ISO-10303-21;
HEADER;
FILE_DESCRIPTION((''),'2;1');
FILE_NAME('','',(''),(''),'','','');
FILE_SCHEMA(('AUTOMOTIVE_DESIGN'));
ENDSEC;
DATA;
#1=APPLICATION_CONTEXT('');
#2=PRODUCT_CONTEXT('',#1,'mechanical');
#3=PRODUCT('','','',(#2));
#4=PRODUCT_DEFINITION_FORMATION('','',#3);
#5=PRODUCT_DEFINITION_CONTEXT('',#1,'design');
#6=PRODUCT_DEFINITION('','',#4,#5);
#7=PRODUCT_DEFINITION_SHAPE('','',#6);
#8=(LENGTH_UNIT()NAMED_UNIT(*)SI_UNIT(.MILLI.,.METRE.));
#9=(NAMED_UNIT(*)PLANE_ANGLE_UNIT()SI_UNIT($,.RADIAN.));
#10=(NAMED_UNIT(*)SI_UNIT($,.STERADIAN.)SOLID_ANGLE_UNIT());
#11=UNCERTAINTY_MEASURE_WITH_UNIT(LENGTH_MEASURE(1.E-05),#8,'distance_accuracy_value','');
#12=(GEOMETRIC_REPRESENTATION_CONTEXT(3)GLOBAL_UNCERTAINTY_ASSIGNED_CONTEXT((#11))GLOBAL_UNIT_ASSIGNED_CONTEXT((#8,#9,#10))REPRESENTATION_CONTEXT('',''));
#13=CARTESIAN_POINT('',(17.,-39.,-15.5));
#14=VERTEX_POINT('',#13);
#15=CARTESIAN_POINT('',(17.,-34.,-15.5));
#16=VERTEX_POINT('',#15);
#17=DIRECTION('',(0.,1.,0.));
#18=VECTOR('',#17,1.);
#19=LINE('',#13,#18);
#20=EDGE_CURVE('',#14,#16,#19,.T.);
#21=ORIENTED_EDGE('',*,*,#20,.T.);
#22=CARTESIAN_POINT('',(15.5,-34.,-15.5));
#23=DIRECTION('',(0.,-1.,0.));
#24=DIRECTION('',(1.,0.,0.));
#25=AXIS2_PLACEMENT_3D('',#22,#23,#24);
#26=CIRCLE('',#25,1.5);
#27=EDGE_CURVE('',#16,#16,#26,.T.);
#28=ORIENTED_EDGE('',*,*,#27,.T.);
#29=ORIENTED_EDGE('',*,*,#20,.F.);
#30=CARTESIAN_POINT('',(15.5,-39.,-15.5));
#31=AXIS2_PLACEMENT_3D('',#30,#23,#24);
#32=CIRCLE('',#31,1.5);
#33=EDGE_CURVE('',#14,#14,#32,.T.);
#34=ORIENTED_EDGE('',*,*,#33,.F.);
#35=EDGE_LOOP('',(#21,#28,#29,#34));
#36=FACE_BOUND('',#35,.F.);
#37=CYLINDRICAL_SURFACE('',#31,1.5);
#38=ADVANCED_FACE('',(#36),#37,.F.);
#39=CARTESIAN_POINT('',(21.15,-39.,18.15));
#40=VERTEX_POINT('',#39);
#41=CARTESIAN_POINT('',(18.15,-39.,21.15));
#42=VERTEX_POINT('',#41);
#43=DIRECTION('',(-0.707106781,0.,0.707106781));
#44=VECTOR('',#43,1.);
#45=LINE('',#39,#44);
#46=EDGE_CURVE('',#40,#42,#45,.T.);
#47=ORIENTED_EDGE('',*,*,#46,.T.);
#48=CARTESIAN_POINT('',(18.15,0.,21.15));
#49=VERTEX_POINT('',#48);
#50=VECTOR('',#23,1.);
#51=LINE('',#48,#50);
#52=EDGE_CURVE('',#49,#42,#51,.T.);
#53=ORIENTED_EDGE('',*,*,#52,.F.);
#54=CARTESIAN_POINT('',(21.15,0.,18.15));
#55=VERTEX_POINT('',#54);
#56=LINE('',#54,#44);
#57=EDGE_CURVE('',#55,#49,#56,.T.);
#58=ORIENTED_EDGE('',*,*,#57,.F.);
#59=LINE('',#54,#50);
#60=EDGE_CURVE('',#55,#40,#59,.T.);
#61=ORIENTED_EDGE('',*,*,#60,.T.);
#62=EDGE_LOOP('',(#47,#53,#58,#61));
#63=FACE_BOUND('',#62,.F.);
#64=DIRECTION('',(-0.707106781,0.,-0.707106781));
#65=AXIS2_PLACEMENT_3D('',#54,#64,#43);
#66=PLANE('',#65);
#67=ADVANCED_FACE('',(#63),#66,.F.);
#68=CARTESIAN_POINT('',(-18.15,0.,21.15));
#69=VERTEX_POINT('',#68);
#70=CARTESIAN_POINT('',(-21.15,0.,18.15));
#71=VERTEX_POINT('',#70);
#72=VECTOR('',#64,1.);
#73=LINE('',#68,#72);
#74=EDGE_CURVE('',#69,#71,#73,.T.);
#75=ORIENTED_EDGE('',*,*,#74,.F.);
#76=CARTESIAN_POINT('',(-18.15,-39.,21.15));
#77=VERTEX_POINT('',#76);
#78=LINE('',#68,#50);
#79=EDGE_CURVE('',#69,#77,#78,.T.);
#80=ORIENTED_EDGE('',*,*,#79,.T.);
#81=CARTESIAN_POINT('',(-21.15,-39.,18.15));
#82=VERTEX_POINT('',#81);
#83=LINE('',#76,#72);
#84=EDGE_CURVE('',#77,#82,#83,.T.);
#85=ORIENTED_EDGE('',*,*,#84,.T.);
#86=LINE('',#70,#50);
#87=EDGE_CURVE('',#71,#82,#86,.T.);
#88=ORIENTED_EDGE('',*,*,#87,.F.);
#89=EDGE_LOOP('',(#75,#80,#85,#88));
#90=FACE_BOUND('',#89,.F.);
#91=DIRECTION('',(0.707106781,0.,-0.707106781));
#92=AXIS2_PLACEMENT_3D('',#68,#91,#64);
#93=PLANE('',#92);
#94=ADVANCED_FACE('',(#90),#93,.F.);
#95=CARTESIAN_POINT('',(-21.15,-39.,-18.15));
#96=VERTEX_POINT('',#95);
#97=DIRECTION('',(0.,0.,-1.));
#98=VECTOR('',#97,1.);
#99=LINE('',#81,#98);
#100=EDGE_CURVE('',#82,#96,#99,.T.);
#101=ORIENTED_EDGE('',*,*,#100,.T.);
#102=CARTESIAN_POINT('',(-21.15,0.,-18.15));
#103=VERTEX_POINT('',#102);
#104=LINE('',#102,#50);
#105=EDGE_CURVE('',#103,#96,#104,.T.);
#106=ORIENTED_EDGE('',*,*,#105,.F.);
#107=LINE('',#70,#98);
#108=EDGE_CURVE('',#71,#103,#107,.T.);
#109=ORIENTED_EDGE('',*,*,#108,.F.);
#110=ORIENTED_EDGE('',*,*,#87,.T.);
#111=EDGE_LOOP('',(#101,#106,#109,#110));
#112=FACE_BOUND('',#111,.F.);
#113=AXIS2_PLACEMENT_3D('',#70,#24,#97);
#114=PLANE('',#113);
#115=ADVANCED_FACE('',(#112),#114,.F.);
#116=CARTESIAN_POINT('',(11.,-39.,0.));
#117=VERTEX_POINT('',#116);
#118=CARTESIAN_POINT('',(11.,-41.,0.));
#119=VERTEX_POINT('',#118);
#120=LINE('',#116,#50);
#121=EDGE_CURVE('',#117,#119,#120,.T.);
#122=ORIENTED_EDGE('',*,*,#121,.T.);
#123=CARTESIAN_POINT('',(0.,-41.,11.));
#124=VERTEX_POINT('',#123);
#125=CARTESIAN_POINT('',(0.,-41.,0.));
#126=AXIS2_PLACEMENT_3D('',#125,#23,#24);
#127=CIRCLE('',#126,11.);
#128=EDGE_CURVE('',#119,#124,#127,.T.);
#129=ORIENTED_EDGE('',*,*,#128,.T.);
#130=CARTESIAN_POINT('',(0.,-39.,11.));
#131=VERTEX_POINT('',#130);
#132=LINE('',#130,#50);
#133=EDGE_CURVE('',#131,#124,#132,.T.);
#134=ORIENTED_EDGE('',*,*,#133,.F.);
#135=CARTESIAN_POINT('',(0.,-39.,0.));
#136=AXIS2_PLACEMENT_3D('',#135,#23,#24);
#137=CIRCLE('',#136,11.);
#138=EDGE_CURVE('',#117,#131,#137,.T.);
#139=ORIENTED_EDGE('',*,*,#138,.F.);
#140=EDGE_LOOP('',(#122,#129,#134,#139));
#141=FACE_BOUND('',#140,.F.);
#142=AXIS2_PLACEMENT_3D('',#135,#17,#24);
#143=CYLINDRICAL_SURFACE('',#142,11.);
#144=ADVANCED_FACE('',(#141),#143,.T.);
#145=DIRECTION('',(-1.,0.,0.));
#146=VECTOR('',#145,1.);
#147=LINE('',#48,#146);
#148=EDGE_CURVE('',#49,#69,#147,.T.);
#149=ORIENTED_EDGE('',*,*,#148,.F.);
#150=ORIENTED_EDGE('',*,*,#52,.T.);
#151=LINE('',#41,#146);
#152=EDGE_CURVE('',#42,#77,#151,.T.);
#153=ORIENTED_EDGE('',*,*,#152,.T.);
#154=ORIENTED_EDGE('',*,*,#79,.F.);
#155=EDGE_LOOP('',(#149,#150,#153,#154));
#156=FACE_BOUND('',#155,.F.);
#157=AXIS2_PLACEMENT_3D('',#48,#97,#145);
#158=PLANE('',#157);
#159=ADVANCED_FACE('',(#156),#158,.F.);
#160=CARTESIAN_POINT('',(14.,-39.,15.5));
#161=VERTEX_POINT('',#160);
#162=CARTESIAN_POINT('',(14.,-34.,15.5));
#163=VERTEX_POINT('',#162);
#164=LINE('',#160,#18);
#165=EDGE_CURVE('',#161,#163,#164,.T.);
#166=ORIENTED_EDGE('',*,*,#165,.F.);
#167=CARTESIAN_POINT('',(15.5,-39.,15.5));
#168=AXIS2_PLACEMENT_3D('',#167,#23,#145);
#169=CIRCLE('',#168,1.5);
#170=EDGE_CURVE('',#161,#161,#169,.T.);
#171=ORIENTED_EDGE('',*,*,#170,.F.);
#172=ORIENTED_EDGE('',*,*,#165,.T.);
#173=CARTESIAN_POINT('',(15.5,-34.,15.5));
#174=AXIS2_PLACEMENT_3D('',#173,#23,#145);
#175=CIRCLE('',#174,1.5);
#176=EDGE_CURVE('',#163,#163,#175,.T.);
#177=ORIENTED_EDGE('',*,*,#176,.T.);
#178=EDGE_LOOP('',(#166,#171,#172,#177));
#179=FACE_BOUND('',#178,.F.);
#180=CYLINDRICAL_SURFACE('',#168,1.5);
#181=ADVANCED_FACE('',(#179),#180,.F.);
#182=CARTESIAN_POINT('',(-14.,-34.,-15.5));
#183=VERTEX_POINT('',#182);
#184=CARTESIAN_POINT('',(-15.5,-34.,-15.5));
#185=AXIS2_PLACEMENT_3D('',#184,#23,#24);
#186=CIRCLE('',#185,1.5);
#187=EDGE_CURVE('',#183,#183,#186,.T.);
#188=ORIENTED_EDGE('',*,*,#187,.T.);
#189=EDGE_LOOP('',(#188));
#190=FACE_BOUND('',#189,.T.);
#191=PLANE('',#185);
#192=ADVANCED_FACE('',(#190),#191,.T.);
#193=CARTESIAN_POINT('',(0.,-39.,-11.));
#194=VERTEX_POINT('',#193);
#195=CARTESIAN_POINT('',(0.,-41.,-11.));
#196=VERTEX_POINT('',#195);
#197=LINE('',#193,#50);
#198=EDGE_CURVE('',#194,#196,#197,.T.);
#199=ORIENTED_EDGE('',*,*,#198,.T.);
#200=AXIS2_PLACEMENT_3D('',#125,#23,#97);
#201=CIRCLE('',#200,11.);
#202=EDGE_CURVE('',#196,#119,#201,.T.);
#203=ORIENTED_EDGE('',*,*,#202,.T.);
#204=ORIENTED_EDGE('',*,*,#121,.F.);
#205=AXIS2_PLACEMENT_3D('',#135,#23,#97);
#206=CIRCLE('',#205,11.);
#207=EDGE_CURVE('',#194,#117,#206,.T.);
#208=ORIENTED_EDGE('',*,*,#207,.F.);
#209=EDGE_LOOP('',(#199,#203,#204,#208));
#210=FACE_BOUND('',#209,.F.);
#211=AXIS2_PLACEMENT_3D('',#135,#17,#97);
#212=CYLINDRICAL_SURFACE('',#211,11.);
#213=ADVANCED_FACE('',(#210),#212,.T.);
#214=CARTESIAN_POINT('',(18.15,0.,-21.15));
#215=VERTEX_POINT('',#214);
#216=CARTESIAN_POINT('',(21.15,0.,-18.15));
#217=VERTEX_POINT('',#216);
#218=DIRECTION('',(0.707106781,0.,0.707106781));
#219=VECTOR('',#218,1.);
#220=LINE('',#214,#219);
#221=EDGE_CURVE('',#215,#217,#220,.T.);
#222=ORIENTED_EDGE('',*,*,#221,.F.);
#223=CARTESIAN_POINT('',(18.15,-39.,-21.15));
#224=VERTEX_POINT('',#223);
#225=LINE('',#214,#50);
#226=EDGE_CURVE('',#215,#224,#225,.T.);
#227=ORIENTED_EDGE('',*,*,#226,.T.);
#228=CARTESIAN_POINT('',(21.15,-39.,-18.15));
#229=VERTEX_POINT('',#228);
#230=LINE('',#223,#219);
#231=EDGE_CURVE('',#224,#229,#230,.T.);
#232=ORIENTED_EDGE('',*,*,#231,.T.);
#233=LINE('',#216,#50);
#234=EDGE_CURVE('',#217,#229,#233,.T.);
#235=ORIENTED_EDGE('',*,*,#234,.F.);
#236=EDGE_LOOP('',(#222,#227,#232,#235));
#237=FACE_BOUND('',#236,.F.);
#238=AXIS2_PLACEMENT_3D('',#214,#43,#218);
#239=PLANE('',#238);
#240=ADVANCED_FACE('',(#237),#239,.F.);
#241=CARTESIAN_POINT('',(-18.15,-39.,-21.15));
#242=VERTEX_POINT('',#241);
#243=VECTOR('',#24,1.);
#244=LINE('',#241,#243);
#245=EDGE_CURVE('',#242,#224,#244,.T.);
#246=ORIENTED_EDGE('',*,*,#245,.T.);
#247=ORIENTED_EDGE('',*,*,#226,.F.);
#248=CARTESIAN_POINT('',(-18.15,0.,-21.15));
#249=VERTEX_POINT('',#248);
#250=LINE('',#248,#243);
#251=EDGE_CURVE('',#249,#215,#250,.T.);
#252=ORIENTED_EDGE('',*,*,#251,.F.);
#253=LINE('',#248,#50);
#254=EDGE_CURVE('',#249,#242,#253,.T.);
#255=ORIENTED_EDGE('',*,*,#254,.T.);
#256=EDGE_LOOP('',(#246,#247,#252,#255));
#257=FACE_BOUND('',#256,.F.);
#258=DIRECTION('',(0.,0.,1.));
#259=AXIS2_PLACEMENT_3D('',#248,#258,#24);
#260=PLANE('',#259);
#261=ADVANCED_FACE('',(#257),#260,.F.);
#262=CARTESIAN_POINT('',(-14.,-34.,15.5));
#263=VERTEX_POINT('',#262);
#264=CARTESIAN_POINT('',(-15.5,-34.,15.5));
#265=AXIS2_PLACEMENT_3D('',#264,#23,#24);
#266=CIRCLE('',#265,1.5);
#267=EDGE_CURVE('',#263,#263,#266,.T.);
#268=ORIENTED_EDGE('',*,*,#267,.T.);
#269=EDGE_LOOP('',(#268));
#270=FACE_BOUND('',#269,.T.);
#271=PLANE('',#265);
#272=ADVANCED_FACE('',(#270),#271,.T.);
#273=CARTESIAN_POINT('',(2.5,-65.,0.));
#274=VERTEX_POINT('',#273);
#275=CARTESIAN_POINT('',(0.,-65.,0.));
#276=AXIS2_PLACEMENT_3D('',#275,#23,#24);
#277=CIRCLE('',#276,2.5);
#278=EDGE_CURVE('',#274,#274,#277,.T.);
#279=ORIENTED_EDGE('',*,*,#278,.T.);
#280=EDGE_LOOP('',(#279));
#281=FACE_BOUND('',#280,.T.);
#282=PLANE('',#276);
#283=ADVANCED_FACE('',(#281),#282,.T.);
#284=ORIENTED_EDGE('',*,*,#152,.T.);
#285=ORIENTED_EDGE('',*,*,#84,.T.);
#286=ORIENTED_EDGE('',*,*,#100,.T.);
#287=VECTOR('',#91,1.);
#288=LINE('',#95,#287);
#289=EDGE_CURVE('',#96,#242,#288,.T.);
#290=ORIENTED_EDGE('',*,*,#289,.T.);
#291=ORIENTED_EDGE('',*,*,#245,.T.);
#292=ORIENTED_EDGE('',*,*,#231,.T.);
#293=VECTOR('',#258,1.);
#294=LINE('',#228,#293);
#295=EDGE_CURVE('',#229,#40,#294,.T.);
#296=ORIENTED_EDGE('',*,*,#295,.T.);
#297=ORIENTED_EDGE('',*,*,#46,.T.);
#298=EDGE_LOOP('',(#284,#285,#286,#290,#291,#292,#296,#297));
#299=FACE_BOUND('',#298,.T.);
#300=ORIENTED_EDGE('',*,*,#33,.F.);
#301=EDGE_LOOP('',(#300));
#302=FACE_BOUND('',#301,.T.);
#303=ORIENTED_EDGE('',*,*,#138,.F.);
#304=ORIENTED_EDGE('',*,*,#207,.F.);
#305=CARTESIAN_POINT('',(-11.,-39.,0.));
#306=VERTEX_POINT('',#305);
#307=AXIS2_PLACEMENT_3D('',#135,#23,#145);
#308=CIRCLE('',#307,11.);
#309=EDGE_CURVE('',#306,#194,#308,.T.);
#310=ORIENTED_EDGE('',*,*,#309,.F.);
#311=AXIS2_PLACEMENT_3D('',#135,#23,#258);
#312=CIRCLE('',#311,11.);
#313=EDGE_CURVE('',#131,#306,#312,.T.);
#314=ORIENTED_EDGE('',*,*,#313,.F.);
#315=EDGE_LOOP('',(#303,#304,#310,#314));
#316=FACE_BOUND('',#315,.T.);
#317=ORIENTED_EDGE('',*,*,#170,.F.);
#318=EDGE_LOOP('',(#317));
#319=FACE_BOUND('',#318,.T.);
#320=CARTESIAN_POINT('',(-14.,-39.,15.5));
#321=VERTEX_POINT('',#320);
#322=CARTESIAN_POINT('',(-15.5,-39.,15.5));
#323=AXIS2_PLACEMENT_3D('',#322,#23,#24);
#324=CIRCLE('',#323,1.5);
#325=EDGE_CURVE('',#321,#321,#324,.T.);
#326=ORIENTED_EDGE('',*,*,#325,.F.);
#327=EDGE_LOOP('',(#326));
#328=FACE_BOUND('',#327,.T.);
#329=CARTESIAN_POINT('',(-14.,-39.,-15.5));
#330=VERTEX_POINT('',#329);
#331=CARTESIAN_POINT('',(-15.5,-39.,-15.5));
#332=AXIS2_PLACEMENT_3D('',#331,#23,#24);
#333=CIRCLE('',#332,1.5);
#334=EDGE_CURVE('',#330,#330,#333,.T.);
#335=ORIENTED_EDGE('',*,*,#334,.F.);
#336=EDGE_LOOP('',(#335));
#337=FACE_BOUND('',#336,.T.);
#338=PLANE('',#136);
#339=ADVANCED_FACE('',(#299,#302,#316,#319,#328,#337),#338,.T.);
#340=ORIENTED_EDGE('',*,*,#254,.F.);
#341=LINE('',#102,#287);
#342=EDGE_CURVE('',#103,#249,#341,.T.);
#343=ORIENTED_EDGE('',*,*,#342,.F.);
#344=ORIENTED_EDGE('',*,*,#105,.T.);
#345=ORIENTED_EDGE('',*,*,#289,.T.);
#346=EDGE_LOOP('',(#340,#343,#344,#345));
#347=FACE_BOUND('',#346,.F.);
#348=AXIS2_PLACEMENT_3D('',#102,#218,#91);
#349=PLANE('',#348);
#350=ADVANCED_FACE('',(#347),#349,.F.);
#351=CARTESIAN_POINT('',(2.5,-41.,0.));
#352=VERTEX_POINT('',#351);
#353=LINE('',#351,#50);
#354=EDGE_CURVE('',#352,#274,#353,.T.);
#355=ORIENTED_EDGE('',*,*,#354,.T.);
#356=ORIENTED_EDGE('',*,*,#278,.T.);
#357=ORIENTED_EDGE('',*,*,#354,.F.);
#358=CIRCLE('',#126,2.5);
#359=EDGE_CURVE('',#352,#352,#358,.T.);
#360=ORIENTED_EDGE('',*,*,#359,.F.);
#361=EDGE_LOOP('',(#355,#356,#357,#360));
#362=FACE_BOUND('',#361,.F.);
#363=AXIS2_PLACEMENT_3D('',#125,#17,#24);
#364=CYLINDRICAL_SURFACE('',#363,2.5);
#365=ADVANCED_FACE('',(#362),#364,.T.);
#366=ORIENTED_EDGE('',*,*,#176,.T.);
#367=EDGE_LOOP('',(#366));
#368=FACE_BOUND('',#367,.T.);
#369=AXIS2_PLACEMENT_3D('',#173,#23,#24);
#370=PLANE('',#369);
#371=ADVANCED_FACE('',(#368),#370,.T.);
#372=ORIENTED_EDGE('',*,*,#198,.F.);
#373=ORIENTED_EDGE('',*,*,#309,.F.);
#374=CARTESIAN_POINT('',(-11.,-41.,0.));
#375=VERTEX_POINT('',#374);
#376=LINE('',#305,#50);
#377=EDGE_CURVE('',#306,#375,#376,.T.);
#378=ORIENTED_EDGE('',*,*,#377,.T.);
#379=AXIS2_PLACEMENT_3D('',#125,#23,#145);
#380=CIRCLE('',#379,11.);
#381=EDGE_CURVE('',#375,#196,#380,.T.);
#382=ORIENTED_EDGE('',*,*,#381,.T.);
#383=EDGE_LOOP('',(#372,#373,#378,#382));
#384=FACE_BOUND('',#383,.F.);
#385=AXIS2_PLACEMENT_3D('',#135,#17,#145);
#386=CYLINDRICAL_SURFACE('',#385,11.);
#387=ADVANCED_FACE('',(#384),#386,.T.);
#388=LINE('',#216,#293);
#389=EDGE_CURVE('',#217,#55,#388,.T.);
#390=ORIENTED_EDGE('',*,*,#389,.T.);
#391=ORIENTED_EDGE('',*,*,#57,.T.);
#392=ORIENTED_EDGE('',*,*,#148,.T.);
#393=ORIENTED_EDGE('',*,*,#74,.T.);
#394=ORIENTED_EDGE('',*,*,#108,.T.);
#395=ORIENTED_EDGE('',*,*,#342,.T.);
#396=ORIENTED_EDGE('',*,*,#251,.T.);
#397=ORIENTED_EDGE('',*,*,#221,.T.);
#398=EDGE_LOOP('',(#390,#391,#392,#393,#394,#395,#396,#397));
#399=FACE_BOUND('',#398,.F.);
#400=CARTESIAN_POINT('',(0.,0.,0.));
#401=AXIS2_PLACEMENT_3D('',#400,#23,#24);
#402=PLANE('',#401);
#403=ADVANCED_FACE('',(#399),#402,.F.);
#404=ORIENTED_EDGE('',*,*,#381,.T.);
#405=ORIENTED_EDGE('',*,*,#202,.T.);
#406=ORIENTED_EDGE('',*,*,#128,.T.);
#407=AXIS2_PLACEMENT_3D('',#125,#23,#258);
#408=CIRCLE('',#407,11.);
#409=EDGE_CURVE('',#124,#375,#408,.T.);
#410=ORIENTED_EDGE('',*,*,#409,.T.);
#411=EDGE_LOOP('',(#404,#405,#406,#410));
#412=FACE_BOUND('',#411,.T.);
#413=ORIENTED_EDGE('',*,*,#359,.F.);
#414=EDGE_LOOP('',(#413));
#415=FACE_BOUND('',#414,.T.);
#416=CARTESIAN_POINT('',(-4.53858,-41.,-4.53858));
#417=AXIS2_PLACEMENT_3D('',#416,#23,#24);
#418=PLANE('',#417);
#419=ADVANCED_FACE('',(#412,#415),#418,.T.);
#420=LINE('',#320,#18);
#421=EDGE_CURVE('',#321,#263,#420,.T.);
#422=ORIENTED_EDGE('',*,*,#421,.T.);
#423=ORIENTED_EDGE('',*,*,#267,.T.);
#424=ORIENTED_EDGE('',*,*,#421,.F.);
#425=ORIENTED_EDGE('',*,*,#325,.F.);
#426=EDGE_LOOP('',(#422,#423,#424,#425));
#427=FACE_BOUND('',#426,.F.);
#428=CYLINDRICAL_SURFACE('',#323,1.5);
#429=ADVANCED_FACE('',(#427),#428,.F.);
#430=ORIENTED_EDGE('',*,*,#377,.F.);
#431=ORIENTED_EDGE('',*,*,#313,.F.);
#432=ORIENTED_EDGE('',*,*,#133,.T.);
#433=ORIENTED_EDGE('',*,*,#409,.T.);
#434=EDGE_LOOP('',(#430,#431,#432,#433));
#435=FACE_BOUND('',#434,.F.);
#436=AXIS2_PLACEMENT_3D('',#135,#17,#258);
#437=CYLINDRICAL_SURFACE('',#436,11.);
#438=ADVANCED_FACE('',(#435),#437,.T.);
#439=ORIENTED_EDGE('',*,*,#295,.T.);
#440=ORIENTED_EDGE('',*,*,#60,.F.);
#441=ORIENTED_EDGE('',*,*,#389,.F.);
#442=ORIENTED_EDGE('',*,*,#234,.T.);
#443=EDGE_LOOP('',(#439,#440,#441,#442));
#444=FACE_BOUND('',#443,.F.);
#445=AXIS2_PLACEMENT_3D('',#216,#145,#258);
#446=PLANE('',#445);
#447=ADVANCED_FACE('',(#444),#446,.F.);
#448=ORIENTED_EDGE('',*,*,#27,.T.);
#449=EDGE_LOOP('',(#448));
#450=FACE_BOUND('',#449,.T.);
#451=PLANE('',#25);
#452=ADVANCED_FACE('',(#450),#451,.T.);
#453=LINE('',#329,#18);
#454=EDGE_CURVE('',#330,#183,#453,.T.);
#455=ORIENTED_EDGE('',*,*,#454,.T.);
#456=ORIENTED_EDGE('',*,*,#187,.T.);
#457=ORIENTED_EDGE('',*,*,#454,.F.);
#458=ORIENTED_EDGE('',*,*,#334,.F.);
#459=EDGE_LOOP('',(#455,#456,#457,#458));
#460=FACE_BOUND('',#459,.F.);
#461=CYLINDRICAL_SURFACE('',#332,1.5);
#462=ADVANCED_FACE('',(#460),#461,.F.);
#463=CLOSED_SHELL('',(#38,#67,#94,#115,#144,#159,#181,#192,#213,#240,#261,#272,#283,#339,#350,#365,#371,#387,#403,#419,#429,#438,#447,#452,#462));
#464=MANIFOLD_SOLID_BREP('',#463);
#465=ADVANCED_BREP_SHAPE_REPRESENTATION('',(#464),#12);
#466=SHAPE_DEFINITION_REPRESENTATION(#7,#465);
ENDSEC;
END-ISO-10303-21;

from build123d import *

# Parameters (mm, degrees)
F1_DEPTH = 39
F3_DEPTH = 2
F4_R     = 2.5
F5_DEPTH = 24
F6_R     = 1.5
F7_DEPTH = 5


with BuildPart() as f1:
    # F0 (on Front) → F1 (new body)
    with BuildSketch(Plane.XZ):
        Polygon((21.15, 18.15), (18.15, 21.15), (-18.15, 21.15), (-21.15, 18.15), (-21.15, -18.15), (-18.15, -21.15), (18.15, -21.15), (21.15, -18.15), align=None)
    extrude(amount=F1_DEPTH)

    # F2 (on face) → F3 (join)
    with BuildSketch(Plane.XZ.offset(39)):
        with BuildLine():
            ThreePointArc((-11, 0), (-7.7781745931, -7.7781745931), (0, -11))
            Line((0, -11), (0, 0))
            Line((0, 0), (-11, 0))
        make_face()
        with BuildLine():
            Line((0, 0), (0, 11))
            ThreePointArc((0, 11), (-7.7781745931, 7.7781745931), (-11, 0))
            Line((-11, 0), (0, 0))
        make_face()
        with BuildLine():
            Line((0, 0), (11, 0))
            ThreePointArc((11, 0), (7.7781745931, 7.7781745931), (0, 11))
            Line((0, 11), (0, 0))
        make_face()
        with BuildLine():
            ThreePointArc((0, -11), (7.7781745931, -7.7781745931), (11, 0))
            Line((11, 0), (0, 0))
            Line((0, 0), (0, -11))
        make_face()
    extrude(amount=F3_DEPTH)

    # F4 (on face) → F5 (join)
    with BuildSketch(Plane.XZ.offset(41)):
        Circle(F4_R)
    extrude(amount=F5_DEPTH)

    # F6 (on face) → F7 (cut)
    with BuildSketch(Plane.XZ.offset(39)):
        with Locations((-15.5, 15.5)):
            Circle(F6_R)
        with BuildLine():
            ThreePointArc((17, 15.5), (15.5, 17), (14, 15.5))
            ThreePointArc((14, 15.5), (15.5, 14), (17, 15.5))
        make_face()
        with Locations((15.5, -15.5)):
            Circle(F6_R)
        with Locations((-15.5, -15.5)):
            Circle(F6_R)
    extrude(amount=-F7_DEPTH, mode=Mode.SUBTRACT)


solid = f1.part
